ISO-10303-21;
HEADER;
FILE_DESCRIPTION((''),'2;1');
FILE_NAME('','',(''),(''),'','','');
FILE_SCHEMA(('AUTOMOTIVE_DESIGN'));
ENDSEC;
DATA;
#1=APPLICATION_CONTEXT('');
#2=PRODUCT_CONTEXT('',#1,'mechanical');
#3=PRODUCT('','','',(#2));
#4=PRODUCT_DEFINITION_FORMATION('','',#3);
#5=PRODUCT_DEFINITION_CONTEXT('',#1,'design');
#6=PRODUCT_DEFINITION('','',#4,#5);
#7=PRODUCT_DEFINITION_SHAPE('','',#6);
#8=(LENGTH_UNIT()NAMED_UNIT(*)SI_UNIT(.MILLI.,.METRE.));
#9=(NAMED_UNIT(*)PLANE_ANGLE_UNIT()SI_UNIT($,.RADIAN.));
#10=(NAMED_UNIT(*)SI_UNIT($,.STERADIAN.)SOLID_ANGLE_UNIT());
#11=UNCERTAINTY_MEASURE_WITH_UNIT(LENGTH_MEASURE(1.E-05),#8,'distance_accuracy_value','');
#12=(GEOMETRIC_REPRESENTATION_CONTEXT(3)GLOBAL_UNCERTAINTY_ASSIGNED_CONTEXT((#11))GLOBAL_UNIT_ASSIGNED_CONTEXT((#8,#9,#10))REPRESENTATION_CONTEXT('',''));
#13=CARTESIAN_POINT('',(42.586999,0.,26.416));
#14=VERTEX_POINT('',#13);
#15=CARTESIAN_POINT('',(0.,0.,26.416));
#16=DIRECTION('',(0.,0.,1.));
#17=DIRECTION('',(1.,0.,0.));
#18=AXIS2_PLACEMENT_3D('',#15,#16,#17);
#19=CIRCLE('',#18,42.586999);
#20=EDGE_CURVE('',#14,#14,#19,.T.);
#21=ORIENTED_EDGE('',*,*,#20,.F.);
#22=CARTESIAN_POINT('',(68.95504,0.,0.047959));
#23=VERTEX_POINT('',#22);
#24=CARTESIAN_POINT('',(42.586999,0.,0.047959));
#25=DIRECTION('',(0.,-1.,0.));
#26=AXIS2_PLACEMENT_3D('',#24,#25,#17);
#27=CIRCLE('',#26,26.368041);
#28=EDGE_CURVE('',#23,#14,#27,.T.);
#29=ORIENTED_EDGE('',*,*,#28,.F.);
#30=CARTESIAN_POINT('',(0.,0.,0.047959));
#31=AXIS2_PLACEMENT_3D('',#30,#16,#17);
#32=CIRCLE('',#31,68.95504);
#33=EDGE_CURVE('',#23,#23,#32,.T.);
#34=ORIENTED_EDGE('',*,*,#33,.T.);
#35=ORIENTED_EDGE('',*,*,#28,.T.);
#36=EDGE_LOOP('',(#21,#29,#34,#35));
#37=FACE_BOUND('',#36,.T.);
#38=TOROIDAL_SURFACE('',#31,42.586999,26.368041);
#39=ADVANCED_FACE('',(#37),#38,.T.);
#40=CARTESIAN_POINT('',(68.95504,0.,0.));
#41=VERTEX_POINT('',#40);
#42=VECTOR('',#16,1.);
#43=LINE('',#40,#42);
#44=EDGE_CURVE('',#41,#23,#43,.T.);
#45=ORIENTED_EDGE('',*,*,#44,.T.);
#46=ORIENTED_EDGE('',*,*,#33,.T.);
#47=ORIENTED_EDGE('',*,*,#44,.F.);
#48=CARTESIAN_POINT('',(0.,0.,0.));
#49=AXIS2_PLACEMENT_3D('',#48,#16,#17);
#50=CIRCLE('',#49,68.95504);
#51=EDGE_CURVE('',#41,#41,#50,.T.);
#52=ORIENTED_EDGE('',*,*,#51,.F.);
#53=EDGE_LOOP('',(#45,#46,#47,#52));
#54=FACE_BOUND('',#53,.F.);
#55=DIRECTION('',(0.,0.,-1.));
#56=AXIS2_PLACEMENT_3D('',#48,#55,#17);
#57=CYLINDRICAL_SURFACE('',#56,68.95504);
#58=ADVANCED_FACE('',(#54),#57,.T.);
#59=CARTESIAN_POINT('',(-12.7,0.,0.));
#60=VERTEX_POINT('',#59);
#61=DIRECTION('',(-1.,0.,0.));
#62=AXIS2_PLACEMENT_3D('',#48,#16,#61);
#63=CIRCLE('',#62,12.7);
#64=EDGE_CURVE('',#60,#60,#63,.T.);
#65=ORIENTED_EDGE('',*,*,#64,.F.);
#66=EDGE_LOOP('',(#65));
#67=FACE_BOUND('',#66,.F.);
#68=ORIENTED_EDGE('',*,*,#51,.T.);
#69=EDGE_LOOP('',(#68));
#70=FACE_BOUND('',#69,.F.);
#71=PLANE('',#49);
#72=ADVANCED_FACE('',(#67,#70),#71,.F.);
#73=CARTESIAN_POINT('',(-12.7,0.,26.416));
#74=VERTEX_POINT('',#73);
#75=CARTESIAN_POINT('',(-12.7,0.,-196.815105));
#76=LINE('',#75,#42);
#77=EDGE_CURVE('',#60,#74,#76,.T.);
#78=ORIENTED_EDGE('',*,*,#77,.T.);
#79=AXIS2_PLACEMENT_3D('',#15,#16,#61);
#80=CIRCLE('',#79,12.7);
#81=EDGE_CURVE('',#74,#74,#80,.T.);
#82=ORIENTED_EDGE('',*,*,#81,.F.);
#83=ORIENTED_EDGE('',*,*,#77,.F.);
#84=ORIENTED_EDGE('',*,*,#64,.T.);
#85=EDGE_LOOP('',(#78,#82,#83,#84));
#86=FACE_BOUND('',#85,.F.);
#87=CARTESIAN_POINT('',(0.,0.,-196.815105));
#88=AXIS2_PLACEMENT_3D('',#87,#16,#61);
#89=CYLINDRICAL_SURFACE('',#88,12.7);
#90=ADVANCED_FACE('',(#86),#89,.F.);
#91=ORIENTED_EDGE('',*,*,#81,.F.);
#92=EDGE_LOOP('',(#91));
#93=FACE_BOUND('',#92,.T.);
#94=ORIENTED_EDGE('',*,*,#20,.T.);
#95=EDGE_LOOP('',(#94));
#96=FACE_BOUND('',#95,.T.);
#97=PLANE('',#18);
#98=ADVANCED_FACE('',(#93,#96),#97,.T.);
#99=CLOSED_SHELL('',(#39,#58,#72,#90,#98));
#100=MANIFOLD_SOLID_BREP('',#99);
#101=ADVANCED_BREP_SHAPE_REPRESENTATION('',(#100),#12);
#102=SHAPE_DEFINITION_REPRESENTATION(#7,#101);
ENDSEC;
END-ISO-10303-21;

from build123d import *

# Parameters (mm, degrees)
F0_R     = 68.95504
F1_DEPTH = 26.416
F2_R     = 26.368041
F4_D     = 25.4


with BuildPart() as f1:
    # F0 (on Top) → F1 (new body)
    with BuildSketch(Plane.XY):
        Circle(F0_R)
    extrude(amount=F1_DEPTH)

    # F2
    f2_edges = [f1.edges().sort_by_distance(p)[0] for p in [
        (-68.95504, 0, 26.416),
    ]]
    fillet(f2_edges, radius=F2_R)

    # F4 (through all)
    with Locations(Plane(origin=(0, 0, 0), x_dir=(1, 0, 0), z_dir=(0, 0, -1))):
        with Locations((0, 0)):
            Hole(F4_D / 2)


solid = f1.part
